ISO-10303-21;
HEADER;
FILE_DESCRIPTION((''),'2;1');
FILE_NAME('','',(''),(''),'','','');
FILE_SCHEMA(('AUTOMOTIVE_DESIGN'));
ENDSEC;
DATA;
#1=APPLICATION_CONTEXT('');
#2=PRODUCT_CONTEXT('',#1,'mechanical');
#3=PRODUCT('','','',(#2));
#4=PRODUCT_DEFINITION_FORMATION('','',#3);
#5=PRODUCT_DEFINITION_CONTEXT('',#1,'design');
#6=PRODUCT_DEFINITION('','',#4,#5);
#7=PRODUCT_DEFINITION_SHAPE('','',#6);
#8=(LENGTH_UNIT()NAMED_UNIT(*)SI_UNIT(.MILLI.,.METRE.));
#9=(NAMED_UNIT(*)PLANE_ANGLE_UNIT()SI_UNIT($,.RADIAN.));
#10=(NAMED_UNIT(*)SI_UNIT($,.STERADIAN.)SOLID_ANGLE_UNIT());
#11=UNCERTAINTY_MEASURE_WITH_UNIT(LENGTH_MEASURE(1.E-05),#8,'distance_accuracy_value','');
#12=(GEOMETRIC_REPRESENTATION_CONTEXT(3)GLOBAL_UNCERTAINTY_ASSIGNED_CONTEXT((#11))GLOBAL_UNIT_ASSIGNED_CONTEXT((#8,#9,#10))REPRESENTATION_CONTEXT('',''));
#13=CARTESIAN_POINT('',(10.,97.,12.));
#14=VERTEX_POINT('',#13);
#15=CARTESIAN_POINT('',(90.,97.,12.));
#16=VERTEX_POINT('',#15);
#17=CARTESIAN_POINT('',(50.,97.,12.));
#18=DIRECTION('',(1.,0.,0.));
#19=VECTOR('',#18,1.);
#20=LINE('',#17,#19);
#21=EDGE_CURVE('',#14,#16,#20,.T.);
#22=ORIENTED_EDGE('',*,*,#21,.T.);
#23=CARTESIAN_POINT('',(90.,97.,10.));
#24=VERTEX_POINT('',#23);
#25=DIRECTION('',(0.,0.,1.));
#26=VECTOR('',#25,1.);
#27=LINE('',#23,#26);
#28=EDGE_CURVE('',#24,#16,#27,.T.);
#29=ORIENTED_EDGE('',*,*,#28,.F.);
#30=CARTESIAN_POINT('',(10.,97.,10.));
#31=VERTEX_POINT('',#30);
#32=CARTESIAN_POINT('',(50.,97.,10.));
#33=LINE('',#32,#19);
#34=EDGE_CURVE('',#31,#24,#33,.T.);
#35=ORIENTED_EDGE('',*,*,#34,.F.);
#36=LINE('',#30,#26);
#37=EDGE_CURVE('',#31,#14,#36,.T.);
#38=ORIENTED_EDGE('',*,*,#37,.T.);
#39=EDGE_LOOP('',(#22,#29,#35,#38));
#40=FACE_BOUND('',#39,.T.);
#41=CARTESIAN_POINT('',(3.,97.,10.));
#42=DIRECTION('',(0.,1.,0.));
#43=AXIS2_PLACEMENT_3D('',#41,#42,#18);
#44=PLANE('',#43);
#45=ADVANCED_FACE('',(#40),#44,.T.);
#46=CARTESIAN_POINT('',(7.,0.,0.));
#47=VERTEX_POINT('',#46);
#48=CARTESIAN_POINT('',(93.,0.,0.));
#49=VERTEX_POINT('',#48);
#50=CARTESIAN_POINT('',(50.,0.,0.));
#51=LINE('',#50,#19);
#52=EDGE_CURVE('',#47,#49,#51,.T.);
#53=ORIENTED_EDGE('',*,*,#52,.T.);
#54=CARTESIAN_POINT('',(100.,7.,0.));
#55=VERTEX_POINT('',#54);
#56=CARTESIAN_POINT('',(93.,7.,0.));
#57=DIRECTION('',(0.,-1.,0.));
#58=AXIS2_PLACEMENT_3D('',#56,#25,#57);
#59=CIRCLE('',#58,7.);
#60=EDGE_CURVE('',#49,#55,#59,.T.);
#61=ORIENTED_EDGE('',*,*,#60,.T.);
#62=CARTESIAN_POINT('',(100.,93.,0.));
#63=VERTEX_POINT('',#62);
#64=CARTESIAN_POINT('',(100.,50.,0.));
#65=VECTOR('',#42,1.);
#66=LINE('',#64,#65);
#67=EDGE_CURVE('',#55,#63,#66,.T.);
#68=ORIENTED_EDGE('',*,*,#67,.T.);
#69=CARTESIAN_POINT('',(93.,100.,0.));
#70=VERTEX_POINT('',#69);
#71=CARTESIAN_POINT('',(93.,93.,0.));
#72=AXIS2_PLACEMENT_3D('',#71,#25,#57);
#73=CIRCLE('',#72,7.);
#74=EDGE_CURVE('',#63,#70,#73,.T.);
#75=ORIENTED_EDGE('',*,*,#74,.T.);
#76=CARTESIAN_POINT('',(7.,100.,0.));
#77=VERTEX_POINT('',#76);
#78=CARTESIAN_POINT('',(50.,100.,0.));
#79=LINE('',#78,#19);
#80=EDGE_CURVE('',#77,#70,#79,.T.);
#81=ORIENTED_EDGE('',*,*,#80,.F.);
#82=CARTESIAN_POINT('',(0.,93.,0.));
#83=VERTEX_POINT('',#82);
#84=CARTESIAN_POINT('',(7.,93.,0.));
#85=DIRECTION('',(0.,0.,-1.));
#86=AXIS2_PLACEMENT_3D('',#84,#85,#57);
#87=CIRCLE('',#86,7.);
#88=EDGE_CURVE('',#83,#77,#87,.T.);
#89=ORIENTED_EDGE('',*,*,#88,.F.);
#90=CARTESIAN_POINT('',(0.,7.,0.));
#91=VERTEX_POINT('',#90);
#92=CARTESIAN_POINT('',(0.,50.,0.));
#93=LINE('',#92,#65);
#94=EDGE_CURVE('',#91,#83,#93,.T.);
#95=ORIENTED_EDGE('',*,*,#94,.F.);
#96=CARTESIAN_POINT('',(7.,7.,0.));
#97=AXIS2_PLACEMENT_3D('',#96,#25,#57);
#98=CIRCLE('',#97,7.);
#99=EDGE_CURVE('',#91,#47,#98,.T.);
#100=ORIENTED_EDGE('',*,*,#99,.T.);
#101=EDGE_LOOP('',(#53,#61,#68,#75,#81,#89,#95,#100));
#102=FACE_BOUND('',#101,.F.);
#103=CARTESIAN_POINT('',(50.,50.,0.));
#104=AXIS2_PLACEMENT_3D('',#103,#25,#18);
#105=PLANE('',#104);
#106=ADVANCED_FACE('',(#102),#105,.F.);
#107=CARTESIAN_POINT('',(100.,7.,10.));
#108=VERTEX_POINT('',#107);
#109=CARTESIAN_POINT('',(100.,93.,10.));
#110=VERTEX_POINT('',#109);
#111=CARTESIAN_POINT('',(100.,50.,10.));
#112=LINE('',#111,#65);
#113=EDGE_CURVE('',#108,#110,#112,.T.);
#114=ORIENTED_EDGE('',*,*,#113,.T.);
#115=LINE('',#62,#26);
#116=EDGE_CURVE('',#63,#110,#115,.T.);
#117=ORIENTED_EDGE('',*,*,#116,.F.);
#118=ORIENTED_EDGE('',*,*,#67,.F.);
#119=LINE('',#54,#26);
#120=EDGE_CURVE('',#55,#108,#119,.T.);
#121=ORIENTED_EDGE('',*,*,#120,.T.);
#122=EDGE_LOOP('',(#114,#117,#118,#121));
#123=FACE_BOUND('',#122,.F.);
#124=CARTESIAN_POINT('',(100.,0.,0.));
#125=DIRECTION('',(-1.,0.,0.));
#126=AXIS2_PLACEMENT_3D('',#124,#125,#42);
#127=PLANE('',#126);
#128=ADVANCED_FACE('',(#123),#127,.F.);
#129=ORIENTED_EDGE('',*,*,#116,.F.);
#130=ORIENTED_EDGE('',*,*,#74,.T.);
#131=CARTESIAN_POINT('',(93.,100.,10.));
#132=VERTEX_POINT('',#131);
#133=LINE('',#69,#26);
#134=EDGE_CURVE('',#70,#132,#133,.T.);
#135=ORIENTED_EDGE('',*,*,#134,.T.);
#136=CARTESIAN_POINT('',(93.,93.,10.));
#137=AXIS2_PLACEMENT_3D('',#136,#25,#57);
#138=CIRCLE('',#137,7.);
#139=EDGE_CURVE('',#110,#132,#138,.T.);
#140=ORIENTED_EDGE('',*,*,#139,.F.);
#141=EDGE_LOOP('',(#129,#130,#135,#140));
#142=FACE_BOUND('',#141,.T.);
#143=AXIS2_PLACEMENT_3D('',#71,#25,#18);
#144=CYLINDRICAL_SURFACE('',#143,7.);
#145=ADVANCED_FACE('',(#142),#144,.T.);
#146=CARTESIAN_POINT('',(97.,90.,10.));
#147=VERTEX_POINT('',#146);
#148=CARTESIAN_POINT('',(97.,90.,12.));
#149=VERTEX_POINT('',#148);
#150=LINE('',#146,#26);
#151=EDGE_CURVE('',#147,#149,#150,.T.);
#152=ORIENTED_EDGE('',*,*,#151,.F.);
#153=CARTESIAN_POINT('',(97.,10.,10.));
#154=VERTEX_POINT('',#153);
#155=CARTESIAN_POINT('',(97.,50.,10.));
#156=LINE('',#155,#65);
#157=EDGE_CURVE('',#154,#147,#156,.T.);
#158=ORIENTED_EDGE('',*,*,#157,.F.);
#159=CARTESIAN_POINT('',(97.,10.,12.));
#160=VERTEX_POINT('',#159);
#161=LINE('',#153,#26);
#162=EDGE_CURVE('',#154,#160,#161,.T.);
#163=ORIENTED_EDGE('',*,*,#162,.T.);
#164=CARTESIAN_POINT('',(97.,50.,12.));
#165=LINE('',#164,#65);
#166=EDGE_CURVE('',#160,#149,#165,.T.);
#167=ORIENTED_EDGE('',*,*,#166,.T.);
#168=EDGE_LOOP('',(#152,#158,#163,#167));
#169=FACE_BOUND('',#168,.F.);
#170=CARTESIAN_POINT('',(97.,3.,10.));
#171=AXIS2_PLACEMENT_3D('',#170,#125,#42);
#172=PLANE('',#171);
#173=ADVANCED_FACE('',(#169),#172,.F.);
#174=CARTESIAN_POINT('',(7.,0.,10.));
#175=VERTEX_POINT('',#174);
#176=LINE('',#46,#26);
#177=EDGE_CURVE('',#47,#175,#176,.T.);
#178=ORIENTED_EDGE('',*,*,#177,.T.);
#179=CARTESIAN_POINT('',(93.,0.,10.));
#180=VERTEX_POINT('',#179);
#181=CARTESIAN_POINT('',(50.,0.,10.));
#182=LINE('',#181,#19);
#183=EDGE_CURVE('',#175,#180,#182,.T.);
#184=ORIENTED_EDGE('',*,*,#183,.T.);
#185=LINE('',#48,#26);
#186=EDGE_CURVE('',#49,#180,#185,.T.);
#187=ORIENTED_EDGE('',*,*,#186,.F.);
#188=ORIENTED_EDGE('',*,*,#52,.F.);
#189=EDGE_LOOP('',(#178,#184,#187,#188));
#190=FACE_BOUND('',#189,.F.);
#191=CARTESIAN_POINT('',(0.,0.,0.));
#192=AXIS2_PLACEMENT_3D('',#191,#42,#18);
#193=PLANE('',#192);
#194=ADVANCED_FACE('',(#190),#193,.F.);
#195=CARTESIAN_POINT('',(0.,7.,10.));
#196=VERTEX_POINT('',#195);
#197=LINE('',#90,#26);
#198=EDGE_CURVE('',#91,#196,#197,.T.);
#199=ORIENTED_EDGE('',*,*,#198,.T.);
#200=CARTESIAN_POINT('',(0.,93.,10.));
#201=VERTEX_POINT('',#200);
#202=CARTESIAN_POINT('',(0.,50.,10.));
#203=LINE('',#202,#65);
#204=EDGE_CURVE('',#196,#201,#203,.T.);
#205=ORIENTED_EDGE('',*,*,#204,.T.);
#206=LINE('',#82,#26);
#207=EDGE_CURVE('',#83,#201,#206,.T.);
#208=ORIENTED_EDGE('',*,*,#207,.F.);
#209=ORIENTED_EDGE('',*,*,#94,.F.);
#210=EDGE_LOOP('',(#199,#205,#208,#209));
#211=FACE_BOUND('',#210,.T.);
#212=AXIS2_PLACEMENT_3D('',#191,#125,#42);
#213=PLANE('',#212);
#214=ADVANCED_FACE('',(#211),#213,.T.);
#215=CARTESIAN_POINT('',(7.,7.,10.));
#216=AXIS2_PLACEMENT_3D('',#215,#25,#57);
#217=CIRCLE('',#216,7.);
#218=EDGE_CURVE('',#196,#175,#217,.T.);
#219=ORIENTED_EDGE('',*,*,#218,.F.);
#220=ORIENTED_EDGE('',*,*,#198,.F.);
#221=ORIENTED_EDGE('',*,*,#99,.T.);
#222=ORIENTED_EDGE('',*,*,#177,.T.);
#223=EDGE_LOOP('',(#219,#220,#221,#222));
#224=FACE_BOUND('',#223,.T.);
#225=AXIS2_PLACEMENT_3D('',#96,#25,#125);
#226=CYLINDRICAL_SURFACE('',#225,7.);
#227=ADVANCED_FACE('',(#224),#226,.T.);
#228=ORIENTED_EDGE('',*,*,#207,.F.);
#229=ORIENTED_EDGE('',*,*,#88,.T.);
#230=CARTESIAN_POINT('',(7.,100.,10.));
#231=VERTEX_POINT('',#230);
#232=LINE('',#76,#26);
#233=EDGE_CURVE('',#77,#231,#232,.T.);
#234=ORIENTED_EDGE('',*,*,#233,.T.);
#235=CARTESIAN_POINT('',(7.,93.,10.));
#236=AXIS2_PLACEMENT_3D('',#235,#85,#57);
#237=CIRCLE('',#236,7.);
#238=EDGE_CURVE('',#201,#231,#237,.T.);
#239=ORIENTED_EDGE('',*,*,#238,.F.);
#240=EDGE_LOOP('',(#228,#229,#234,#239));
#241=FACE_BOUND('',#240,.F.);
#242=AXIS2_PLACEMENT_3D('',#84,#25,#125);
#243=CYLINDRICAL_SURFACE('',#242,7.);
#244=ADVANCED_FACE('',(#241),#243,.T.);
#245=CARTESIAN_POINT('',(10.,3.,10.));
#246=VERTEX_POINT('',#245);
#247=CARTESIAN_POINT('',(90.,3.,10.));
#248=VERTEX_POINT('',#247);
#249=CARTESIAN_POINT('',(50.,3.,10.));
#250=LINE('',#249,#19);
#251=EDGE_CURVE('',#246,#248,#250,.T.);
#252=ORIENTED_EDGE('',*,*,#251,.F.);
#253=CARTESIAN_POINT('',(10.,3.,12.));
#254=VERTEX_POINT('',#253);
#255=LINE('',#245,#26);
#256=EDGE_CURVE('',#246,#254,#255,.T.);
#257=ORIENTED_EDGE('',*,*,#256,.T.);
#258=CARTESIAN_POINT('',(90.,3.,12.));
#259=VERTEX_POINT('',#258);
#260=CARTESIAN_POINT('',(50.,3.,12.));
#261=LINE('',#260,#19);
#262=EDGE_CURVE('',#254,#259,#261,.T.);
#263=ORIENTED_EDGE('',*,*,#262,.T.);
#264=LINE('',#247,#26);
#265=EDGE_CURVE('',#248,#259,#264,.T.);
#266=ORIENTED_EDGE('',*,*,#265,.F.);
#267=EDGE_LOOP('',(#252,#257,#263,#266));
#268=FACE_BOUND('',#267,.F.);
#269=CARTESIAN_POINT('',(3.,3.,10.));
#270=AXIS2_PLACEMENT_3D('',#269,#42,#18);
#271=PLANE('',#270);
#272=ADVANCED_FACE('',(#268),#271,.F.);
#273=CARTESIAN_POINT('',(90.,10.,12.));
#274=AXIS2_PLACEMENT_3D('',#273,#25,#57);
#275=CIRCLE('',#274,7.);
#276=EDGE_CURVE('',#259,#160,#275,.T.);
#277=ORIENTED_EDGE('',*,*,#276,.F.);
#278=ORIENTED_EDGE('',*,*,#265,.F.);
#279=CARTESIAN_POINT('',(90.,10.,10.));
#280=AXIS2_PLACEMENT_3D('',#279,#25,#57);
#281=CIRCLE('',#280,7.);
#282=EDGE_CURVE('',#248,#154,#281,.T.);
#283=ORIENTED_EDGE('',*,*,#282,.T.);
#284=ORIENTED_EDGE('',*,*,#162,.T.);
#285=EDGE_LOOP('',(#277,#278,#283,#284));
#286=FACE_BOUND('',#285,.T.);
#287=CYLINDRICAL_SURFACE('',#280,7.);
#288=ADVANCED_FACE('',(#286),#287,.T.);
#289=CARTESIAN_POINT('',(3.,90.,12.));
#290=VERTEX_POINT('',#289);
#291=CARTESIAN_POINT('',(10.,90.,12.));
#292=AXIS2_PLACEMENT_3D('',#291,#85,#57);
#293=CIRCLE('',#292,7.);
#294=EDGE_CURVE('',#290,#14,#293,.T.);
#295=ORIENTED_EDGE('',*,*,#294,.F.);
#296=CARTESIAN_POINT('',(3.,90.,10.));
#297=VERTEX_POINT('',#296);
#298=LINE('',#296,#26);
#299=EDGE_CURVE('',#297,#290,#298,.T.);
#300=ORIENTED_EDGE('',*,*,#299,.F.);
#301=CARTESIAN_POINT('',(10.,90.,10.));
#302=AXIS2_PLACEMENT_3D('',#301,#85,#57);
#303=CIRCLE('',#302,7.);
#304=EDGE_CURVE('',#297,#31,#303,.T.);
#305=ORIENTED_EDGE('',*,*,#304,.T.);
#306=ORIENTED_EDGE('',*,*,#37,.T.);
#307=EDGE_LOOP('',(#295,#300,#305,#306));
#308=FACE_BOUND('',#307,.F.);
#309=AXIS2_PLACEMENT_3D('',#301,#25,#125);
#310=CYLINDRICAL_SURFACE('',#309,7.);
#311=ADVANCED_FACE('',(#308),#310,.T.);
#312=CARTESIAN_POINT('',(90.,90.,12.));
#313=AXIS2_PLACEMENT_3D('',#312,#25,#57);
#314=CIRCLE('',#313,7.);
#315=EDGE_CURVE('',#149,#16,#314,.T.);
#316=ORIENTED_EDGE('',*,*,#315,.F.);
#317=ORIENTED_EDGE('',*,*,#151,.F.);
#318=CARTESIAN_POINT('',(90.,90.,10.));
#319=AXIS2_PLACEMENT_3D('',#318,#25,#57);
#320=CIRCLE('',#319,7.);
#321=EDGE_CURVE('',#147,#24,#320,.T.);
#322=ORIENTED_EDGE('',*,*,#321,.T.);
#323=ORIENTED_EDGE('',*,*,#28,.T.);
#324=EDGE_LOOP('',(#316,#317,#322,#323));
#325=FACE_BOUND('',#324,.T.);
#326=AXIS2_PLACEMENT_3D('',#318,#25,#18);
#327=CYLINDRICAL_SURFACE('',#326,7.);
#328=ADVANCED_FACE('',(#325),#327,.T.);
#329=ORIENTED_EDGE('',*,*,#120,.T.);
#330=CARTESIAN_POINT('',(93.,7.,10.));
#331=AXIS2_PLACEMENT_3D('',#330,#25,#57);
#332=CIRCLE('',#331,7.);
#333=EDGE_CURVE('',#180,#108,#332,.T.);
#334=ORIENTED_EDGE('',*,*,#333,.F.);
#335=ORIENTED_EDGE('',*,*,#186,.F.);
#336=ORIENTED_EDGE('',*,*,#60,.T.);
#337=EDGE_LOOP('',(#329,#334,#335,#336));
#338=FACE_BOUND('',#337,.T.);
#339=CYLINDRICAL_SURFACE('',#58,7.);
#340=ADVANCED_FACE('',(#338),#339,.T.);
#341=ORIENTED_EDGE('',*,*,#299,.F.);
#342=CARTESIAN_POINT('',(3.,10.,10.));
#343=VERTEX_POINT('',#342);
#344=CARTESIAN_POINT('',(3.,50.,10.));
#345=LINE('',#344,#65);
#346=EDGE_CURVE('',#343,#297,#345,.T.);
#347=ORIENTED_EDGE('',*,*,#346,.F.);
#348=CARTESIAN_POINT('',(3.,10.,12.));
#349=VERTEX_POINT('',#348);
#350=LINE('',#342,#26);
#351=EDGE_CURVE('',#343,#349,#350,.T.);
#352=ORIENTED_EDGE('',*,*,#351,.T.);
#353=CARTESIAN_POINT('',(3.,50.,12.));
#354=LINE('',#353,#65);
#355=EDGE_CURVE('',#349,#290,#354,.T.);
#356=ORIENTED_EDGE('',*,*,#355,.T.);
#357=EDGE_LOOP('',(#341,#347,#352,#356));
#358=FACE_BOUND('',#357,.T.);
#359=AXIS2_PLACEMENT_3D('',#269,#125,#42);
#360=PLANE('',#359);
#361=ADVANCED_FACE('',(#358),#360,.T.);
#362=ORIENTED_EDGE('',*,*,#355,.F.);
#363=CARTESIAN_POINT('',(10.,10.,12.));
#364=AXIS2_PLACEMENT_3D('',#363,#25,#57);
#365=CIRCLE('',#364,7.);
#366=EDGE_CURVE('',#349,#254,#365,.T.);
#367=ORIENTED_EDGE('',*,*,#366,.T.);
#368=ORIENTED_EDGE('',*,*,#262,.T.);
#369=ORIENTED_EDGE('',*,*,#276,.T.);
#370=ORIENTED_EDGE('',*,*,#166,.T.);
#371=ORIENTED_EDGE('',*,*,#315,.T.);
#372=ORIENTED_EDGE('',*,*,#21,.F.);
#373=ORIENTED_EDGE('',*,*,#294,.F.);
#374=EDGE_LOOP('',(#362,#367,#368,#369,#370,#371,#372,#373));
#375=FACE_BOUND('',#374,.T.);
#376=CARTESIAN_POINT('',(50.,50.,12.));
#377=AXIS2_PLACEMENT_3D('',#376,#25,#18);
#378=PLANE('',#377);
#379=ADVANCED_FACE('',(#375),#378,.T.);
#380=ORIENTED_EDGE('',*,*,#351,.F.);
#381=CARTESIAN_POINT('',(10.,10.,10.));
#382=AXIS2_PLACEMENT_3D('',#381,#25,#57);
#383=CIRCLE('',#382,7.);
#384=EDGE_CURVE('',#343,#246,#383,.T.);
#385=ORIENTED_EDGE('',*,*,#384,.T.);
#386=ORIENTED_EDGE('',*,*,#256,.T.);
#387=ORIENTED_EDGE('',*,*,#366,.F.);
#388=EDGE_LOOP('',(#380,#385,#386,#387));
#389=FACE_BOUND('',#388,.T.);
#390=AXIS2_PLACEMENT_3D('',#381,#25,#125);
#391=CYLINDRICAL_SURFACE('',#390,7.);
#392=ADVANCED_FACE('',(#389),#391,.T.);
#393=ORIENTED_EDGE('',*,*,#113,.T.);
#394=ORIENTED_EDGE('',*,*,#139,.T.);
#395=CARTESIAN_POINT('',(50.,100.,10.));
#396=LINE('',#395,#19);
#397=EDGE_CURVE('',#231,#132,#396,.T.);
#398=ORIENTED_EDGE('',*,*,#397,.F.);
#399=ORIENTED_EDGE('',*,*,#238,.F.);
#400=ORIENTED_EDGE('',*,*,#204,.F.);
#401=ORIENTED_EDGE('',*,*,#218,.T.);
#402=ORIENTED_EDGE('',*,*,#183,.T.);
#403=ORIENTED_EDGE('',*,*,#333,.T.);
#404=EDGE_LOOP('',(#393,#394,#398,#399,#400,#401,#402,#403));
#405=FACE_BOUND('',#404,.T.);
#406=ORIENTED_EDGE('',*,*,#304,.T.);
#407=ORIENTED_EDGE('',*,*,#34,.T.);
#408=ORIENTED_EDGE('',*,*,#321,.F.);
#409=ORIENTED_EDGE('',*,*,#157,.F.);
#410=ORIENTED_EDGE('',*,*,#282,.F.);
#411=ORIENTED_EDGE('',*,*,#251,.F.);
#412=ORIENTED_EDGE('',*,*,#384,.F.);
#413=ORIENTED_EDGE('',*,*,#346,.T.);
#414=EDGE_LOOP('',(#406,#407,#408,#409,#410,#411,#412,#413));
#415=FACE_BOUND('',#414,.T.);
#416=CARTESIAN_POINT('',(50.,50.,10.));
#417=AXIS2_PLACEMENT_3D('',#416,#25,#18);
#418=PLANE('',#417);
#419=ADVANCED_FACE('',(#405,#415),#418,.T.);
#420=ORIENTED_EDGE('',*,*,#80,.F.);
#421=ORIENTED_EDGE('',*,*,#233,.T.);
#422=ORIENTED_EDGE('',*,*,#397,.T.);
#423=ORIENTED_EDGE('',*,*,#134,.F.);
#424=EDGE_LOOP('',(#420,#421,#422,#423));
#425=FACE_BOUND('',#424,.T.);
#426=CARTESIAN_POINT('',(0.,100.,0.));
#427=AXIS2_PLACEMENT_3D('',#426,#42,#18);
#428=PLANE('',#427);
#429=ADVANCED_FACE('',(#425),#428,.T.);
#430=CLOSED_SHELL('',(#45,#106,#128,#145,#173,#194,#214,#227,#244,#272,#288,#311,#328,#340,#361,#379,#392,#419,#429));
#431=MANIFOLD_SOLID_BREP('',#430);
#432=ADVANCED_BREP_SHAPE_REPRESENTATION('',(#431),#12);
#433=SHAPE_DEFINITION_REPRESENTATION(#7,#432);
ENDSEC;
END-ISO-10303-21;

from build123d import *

# Parameters (mm, degrees)
BOX002_W     = 100
BOX002_H     = 100
BOX002_DEPTH = 10
FILLET002_R  = 7
BOX003_W     = 94
BOX003_H     = 94
BOX003_DEPTH = 2
FILLET003_R  = 7


with BuildPart() as body_with_fillets001:
    # Box002 → Box002 (new body)
    with BuildSketch(Plane.XY):
        with Locations((50, 50)):
            Rectangle(BOX002_W, BOX002_H)
    extrude(amount=BOX002_DEPTH)

    # Fillet002
    fillet002_edges = [body_with_fillets001.edges().sort_by_distance(p)[0] for p in [
        (0, 0, 5),
        (0, 100, 5),
        (100, 0, 5),
        (100, 100, 5),
    ]]
    fillet(fillet002_edges, radius=FILLET002_R)


with BuildPart() as base003:
    # Box003 → Box003 (new body)
    with BuildSketch(Plane(origin=(3, 3, 10), x_dir=(1, 0, 0), z_dir=(0, 0, 1))):
        with Locations((47, 47)):
            Rectangle(BOX003_W, BOX003_H)
    extrude(amount=BOX003_DEPTH)

    # Fillet003
    fillet003_edges = [base003.edges().sort_by_distance(p)[0] for p in [
        (3, 3, 11),
        (3, 97, 11),
        (97, 3, 11),
        (97, 97, 11),
    ]]
    fillet(fillet003_edges, radius=FILLET003_R)

    # Fusion001: union Body with fillets001
    add(body_with_fillets001.part)


solid = base003.part
